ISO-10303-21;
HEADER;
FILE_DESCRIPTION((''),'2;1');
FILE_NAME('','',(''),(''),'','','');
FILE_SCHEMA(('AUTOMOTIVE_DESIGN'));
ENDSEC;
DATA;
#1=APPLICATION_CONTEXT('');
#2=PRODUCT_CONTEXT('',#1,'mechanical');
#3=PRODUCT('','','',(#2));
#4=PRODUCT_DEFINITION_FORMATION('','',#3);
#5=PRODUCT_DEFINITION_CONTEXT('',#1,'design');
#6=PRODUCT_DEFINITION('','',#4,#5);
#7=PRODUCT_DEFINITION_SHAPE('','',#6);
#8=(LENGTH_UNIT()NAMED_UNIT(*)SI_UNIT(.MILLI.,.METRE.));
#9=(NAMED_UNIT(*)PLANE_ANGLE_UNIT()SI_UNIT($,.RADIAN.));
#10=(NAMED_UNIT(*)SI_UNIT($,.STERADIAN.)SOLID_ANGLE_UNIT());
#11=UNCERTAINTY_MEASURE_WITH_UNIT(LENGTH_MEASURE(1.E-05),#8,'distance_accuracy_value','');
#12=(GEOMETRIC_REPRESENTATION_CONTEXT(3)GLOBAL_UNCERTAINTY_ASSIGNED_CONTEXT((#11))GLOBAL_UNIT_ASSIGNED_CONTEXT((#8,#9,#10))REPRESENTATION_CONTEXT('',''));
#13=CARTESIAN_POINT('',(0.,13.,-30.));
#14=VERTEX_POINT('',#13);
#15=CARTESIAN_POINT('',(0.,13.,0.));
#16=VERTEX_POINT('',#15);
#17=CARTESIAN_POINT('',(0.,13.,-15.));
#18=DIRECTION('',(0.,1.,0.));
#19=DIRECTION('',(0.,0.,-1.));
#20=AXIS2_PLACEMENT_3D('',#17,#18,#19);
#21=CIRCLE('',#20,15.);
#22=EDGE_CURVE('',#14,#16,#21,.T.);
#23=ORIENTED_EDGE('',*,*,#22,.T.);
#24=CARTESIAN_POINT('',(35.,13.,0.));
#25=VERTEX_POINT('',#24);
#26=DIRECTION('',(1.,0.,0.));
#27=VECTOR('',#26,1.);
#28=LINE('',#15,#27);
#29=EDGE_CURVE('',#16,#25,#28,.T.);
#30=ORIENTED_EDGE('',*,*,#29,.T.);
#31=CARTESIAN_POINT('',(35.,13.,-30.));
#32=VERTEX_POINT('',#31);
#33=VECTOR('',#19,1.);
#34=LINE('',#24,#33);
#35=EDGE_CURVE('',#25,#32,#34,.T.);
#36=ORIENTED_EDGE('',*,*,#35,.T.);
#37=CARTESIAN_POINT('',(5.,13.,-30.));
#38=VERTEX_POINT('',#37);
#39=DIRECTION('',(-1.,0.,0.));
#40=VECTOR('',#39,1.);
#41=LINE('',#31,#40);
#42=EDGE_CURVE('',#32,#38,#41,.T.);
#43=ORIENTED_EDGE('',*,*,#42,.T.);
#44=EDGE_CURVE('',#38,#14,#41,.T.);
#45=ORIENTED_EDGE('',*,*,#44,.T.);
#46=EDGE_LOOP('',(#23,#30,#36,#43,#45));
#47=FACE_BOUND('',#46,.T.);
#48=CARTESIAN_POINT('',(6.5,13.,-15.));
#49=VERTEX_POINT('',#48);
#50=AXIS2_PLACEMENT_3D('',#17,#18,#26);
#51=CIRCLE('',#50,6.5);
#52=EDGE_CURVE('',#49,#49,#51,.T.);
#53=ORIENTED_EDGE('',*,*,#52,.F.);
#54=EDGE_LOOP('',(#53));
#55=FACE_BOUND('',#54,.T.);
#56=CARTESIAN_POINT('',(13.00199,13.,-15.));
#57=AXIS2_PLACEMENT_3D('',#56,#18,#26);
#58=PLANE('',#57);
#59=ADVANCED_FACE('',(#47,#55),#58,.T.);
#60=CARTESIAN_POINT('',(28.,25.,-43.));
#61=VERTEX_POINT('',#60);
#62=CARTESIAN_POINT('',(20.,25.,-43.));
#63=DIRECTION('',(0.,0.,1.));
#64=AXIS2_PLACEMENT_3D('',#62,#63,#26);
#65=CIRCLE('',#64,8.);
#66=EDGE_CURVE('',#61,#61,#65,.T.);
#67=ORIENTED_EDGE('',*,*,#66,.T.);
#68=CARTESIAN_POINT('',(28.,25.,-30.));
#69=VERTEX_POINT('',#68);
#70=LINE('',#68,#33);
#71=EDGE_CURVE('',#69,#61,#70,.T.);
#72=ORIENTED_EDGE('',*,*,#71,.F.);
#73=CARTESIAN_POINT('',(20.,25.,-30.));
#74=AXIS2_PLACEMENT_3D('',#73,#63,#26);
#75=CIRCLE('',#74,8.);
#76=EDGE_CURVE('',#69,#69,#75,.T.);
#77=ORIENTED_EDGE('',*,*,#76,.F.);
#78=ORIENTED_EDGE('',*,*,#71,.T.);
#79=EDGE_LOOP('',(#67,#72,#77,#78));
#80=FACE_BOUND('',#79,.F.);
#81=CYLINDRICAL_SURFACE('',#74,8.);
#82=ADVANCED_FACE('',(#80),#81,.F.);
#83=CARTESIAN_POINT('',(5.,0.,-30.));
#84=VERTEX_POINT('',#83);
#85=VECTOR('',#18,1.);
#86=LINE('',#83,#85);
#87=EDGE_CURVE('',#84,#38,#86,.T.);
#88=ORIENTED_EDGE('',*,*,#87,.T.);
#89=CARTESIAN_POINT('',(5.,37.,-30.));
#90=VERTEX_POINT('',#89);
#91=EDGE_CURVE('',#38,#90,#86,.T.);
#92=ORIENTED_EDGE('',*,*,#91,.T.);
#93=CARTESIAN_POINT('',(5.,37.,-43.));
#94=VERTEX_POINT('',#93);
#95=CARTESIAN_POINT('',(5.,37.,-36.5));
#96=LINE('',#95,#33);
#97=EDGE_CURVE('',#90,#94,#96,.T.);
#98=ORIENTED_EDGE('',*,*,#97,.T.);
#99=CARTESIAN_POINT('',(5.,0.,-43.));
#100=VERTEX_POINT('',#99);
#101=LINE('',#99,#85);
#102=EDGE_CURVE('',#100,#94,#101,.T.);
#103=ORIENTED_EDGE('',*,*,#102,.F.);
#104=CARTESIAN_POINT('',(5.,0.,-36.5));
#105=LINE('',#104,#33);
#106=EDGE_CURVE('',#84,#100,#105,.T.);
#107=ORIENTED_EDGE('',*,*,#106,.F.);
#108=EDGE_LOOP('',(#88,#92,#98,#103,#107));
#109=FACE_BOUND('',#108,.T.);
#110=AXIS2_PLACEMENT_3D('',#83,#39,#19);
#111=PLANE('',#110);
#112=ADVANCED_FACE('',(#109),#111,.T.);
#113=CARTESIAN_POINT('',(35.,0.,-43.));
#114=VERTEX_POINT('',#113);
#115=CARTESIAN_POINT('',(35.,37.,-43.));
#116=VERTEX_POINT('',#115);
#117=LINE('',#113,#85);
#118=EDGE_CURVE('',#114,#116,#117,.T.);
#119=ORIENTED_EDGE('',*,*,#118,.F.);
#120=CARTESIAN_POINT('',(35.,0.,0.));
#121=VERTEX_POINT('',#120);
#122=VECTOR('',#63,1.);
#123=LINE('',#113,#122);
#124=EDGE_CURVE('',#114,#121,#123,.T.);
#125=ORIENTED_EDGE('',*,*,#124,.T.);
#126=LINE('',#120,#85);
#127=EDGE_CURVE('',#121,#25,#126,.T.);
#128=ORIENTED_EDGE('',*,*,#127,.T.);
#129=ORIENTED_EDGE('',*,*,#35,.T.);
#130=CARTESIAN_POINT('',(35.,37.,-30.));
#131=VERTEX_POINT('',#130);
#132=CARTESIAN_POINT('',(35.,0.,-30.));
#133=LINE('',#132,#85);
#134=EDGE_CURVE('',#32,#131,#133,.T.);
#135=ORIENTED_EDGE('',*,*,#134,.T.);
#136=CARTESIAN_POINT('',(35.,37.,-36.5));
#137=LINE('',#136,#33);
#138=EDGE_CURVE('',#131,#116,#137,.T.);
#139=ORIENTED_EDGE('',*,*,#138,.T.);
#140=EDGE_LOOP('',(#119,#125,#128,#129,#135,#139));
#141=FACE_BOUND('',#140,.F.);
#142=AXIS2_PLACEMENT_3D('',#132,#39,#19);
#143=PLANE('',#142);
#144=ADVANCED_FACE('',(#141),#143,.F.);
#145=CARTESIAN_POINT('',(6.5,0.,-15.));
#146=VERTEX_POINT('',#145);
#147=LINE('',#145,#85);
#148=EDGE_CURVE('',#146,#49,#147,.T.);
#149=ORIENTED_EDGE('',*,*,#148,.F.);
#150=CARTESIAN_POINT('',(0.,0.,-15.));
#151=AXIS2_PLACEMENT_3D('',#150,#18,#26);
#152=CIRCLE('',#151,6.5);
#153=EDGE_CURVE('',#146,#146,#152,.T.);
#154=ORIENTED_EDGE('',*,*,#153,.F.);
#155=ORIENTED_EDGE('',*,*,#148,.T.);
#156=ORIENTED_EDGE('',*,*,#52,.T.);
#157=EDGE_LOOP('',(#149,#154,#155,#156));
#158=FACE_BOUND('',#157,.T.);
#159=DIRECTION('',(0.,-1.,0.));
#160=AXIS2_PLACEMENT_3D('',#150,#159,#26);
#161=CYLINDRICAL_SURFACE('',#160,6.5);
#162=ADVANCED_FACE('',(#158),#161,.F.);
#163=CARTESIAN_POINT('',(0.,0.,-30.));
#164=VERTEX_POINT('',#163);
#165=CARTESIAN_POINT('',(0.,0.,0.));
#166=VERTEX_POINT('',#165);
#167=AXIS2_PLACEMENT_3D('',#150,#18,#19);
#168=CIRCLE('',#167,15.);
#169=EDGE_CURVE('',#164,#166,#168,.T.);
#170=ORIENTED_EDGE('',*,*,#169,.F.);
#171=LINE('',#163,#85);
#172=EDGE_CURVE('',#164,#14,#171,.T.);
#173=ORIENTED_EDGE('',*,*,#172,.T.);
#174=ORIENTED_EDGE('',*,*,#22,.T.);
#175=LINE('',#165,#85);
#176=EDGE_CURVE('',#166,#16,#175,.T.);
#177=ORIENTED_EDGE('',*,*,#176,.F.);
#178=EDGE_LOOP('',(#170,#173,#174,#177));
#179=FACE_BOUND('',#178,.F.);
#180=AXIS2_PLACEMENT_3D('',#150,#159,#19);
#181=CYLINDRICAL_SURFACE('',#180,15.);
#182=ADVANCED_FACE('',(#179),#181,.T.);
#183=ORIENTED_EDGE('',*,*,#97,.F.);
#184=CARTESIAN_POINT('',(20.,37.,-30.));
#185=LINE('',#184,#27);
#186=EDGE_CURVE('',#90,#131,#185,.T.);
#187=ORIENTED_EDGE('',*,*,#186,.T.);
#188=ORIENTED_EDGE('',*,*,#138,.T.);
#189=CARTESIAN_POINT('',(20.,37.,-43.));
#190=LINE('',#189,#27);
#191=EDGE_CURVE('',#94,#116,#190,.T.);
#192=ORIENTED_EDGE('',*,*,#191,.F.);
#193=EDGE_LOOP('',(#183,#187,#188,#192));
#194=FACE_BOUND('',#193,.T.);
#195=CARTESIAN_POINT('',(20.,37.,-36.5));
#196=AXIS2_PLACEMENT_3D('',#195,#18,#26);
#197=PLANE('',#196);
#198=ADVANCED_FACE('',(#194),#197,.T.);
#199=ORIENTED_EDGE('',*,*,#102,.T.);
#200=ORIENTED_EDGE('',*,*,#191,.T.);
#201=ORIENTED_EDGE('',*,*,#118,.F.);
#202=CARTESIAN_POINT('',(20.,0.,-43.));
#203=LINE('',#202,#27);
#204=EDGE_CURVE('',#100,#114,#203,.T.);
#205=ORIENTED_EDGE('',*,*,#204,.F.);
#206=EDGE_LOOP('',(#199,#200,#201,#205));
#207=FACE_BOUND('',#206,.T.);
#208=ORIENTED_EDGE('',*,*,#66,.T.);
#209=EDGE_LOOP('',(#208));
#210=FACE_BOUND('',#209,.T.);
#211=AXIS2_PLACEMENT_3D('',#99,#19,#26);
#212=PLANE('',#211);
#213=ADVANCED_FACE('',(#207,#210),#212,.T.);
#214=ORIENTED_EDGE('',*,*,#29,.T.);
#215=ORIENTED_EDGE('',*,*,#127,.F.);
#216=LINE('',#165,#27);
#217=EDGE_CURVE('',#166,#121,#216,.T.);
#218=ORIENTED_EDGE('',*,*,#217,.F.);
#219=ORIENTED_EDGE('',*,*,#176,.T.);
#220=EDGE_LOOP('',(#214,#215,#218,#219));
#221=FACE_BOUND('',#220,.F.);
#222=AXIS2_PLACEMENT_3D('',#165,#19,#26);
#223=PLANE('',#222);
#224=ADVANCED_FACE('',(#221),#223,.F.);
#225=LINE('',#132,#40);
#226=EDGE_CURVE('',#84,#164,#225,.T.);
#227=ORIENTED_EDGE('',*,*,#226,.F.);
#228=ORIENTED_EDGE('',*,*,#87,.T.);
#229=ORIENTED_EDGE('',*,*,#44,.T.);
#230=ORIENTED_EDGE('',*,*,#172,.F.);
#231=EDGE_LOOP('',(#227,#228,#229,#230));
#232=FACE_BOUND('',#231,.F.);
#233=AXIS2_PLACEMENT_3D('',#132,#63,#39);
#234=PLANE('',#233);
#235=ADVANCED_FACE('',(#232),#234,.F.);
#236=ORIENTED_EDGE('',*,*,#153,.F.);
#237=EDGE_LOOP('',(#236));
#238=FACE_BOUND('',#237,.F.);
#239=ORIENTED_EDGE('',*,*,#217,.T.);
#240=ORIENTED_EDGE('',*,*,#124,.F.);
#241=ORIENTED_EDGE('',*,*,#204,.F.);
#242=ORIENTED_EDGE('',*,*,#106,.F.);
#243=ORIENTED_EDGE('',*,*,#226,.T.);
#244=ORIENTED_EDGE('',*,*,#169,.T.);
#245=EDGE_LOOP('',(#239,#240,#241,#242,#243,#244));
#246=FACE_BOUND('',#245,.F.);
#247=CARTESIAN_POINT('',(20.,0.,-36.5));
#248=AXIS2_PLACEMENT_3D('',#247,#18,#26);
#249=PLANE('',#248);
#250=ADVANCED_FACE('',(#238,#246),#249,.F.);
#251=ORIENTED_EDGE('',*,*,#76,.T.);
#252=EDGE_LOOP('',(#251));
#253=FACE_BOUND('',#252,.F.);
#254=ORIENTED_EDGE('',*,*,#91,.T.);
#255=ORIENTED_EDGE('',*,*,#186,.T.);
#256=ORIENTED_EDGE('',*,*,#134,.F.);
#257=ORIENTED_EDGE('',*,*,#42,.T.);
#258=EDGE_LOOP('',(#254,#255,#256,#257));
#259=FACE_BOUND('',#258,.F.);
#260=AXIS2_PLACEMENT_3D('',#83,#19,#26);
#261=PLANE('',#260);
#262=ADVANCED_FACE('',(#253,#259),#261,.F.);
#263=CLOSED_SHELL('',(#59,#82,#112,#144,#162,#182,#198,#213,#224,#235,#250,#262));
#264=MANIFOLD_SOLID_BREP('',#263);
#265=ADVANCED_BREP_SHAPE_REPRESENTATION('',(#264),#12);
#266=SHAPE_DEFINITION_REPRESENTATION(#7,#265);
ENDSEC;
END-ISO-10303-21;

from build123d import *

# Parameters (mm, degrees)
SKETCH1_R           = 6.5
BOSS_EXTRUDE1_DEPTH = 13
SKETCH1_3_W         = 30
SKETCH1_3_H         = 13
BOSS_EXTRUDE2_DEPTH = 37
SKETCH2_R           = 8
CUT_EXTRUDE1_DEPTH  = 37


with BuildPart() as part:
    # Sketch1 → Boss-Extrude1 (new body)
    with BuildSketch(Plane(origin=(0, 0, 0), x_dir=(1, 0, 0), z_dir=(0, 1, 0))):
        with BuildLine():
            ThreePointArc((0, 30), (-15, 15), (0, 0))
            Line((0, 0), (35, 0))
            Line((35, 0), (35, 30))
            Line((35, 30), (0, 30))
        make_face()
        with Locations((0, 15)):
            Circle(SKETCH1_R, mode=Mode.SUBTRACT)
    extrude(amount=BOSS_EXTRUDE1_DEPTH)

    # Sketch1<3> → Boss-Extrude2 (add)
    with BuildSketch(Plane(origin=(0, 0, 0), x_dir=(1, 0, 0), z_dir=(0, 1, 0))):
        with Locations((20, 36.5)):
            Rectangle(SKETCH1_3_W, SKETCH1_3_H)
    extrude(amount=BOSS_EXTRUDE2_DEPTH)

    # Sketch2 → Cut-Extrude1 (cut)
    with BuildSketch(Plane.XY.offset(-30)):
        with Locations((20, 25)):
            Circle(SKETCH2_R)
    extrude(amount=-CUT_EXTRUDE1_DEPTH, mode=Mode.SUBTRACT)


solid = part.part
